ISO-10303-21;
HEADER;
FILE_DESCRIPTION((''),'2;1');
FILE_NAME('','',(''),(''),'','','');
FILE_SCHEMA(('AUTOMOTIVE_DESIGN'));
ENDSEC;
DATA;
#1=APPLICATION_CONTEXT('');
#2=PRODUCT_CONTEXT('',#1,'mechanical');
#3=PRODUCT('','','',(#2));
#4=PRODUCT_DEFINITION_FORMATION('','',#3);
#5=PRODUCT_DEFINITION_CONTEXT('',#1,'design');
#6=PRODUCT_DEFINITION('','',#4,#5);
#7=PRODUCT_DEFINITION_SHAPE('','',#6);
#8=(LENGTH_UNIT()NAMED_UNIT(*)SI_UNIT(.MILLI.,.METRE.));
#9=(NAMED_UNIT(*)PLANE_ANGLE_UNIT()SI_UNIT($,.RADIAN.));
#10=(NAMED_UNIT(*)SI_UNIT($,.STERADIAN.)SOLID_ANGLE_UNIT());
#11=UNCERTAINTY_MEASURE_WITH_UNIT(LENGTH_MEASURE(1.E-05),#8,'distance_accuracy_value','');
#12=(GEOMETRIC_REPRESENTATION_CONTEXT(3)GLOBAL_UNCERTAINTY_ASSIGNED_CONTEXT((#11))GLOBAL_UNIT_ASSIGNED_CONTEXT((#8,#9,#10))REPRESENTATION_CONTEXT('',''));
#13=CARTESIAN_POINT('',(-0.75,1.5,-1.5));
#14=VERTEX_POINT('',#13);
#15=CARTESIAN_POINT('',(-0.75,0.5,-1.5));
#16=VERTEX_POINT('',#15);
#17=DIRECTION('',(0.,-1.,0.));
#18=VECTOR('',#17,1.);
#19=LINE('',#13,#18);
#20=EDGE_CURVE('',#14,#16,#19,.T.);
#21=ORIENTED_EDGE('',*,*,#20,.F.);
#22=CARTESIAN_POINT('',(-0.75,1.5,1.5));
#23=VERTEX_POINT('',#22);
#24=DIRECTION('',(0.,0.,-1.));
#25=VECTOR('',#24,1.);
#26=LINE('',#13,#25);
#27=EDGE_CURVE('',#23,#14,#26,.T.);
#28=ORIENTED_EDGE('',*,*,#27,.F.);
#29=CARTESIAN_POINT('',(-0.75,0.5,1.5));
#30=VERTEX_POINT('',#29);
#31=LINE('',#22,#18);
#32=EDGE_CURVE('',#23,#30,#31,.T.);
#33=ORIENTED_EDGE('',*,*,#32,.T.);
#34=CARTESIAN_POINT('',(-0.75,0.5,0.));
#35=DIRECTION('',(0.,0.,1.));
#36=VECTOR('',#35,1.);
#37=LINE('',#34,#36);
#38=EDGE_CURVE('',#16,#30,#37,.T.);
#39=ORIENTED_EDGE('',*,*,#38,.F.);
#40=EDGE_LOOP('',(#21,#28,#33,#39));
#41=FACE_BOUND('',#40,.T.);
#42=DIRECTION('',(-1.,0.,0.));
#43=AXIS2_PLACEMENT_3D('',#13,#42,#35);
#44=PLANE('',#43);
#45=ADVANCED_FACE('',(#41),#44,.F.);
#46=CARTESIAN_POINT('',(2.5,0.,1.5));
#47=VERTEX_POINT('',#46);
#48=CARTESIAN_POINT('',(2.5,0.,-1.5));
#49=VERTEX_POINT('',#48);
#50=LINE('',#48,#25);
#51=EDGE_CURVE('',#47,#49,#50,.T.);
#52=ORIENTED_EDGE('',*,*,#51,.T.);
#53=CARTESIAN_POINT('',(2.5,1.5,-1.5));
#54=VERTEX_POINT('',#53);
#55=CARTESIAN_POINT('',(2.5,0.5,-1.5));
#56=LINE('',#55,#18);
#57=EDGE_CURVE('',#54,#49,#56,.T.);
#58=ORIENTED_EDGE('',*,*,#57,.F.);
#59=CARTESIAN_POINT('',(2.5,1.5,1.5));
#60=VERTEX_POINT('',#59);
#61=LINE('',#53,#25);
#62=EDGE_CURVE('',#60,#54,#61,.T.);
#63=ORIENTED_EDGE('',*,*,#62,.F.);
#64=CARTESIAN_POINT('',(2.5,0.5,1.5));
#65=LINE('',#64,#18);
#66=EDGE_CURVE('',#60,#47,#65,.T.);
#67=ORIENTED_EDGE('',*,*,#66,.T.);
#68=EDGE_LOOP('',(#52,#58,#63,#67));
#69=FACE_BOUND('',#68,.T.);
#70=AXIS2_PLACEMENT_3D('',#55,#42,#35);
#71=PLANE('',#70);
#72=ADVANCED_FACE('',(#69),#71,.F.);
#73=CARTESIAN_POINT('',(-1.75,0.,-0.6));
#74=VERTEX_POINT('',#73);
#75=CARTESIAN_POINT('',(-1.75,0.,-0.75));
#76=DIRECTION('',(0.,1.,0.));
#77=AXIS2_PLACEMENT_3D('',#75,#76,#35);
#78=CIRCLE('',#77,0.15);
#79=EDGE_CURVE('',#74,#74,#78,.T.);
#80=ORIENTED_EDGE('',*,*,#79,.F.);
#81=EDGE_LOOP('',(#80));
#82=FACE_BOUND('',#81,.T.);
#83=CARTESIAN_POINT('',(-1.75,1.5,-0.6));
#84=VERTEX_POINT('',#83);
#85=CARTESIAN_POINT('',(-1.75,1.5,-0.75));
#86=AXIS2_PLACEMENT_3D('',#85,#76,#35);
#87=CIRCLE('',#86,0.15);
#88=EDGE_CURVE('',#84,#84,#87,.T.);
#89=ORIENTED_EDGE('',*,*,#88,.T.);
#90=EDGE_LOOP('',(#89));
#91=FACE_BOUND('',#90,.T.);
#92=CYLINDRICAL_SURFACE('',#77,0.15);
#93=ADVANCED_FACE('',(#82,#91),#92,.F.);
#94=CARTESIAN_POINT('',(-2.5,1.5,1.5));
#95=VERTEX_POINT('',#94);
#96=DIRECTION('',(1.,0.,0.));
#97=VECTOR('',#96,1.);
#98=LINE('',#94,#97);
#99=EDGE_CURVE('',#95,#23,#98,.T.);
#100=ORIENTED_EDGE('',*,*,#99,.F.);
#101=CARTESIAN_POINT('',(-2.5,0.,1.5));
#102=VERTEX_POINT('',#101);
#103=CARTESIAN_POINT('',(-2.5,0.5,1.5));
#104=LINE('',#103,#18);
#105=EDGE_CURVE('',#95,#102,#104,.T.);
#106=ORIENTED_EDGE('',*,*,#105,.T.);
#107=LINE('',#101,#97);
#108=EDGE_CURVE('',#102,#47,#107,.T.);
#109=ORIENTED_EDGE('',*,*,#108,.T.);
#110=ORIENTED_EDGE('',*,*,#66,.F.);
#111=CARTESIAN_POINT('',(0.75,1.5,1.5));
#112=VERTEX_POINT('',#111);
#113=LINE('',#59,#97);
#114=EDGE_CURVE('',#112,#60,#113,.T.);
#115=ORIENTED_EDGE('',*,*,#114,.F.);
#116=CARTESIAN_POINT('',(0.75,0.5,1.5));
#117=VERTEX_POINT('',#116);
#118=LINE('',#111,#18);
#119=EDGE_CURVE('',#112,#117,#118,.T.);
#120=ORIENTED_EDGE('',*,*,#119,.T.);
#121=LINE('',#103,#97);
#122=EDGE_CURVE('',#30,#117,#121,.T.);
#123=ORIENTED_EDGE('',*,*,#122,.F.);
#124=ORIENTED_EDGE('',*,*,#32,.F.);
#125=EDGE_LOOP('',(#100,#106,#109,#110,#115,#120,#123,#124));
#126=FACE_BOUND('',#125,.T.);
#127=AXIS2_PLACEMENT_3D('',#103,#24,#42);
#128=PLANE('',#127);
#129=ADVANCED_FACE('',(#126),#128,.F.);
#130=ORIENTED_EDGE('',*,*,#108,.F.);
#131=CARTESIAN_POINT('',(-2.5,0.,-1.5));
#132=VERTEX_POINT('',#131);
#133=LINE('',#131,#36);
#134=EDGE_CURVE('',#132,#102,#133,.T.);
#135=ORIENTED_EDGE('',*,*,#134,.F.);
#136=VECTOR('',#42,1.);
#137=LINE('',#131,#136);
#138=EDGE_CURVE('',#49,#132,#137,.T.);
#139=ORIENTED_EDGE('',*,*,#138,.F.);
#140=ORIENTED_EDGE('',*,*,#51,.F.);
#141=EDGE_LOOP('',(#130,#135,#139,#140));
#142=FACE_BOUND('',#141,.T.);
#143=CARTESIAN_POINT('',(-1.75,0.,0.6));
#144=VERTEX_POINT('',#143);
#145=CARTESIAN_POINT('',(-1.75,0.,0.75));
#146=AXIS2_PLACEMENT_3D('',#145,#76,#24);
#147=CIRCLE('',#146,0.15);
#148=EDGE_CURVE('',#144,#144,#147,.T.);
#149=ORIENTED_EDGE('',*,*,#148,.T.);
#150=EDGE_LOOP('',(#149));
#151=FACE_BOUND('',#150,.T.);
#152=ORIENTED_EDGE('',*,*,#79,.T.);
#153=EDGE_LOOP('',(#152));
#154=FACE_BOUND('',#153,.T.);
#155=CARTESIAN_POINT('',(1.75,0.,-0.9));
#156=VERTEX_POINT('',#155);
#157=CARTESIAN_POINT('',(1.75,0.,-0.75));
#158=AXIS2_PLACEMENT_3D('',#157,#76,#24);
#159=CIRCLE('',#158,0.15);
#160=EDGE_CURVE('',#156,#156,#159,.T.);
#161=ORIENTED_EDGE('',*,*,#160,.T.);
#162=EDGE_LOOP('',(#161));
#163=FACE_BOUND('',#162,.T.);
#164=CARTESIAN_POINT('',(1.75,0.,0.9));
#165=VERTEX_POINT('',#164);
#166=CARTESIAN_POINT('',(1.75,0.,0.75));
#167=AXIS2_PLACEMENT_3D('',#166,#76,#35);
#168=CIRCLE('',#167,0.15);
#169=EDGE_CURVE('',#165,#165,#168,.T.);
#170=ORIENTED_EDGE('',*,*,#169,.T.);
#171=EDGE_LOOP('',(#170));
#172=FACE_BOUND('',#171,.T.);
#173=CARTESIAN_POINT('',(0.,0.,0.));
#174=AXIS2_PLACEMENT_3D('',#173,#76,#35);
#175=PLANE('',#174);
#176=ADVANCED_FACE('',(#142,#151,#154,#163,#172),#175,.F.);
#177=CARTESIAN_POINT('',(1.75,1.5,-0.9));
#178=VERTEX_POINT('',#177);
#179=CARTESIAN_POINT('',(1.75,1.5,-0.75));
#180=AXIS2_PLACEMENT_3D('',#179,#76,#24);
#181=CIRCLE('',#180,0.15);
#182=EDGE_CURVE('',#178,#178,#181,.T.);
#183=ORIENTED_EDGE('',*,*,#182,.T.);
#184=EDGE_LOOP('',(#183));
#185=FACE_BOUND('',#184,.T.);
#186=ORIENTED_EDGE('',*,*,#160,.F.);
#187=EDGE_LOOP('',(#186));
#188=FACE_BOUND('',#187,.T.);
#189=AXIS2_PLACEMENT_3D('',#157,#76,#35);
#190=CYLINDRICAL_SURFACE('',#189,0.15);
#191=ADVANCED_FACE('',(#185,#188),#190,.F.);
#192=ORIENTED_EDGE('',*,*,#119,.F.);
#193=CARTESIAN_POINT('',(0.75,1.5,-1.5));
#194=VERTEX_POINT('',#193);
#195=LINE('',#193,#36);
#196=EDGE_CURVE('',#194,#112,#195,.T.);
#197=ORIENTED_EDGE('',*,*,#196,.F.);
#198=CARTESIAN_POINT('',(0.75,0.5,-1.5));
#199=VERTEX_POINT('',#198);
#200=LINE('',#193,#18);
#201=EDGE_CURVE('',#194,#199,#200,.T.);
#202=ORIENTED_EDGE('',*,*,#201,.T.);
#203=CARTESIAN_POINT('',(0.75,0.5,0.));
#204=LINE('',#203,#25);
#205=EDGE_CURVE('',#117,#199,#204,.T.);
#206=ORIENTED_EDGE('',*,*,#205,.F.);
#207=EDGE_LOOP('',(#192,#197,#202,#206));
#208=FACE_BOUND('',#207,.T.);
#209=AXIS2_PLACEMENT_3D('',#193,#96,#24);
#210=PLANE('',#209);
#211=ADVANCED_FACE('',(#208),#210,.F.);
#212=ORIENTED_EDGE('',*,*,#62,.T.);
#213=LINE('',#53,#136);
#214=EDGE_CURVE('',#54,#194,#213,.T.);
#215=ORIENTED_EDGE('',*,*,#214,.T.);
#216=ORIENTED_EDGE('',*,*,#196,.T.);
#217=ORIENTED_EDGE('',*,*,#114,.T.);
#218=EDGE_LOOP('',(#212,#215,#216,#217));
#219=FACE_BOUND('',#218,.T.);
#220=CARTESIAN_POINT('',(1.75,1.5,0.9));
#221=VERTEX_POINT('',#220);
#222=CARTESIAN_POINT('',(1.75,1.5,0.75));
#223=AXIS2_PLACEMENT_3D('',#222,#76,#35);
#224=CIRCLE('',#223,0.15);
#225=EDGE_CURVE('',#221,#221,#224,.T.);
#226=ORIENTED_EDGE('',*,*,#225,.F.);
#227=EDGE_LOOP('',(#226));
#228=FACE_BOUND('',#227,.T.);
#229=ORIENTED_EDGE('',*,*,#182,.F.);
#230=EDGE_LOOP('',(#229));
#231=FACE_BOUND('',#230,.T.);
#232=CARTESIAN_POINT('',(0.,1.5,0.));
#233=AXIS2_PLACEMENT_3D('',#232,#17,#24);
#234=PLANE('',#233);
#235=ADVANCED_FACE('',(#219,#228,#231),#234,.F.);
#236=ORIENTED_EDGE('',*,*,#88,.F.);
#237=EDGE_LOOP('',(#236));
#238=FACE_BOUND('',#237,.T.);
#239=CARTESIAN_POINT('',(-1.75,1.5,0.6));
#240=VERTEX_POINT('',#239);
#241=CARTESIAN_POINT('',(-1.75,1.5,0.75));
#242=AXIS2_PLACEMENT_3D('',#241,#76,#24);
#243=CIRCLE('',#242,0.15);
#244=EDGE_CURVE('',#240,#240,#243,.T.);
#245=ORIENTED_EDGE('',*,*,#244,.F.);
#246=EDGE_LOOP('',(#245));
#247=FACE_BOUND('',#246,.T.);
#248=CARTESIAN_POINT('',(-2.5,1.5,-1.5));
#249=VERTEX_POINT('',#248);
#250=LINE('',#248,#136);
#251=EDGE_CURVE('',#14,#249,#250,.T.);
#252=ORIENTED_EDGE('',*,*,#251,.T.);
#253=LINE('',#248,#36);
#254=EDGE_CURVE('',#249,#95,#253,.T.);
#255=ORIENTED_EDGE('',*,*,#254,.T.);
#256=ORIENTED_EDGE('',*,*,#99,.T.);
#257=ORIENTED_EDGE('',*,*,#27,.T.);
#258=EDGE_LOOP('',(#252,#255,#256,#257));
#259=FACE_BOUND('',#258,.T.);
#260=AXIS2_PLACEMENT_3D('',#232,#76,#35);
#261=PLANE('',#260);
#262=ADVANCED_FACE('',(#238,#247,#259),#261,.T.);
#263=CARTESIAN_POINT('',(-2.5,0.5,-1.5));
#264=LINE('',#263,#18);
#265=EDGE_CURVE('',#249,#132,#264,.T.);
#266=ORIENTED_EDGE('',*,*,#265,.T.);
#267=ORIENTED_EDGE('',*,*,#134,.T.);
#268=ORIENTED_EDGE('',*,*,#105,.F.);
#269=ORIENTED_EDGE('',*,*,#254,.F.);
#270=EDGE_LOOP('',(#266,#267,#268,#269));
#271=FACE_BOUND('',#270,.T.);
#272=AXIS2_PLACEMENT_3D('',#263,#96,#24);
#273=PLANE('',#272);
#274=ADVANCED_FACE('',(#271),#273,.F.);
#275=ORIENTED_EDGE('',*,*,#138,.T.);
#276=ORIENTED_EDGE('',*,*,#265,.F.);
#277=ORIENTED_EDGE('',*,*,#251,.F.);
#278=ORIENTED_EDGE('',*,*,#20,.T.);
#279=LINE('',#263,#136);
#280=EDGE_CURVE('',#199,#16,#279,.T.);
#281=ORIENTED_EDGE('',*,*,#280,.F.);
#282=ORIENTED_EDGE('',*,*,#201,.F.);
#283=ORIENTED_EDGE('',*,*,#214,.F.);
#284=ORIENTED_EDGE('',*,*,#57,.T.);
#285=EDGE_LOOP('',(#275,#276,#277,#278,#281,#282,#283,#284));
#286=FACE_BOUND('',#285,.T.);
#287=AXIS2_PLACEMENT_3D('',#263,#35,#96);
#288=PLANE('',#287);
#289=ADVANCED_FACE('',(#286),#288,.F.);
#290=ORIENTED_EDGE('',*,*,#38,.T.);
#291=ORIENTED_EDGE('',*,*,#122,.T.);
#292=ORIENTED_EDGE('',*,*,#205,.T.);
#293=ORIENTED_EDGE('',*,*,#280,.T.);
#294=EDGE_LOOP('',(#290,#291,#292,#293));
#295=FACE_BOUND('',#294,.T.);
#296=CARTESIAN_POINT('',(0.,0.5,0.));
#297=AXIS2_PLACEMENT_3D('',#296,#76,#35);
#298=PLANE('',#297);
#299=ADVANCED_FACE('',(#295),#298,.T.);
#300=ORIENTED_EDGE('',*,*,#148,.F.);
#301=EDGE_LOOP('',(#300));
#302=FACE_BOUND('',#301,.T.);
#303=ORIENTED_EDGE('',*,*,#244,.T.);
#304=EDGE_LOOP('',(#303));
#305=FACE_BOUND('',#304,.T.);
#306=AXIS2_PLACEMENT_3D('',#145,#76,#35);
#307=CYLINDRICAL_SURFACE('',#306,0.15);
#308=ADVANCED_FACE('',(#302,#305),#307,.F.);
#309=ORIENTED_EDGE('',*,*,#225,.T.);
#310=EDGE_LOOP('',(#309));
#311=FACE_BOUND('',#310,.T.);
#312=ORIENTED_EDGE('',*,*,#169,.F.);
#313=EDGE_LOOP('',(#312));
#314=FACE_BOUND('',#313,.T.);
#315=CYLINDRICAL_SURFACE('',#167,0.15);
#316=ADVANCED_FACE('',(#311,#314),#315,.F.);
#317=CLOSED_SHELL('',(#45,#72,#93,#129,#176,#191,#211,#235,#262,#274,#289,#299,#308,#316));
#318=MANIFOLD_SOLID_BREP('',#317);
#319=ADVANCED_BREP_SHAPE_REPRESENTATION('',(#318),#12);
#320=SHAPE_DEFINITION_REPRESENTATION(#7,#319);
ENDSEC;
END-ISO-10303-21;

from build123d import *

# Parameters (mm, degrees)
SKETCH2_W               = 5
SKETCH2_H               = 3
BOSS_EXTRUDE1_DEPTH     = 0.5
SKETCH3_W               = 1.75
SKETCH3_H               = 3
BOSS_EXTRUDE2_DEPTH     = 1.5
CUT_EXTRUDE1_DEPTH      = 0.5
CUT_EXTRUDE1_DEPTH_BACK = 4.278719262
CUT_EXTRUDE1_START      = 1
SKETCH4_R               = 0.15


with BuildPart() as part:
    # Sketch2 → Boss-Extrude1 (new body)
    with BuildSketch(Plane(origin=(0, 0, 0), x_dir=(1, 0, 0), z_dir=(0, 1, 0))):
        Rectangle(SKETCH2_W, SKETCH2_H)
    extrude(amount=BOSS_EXTRUDE1_DEPTH)

    # Sketch3 → Boss-Extrude2 (add)
    with BuildSketch(Plane(origin=(0, 0, 0), x_dir=(1, 0, 0), z_dir=(0, 1, 0))):
        with Locations((-1.625, 0)):
            Rectangle(SKETCH3_W, SKETCH3_H)
        with Locations((1.625, 0)):
            Rectangle(SKETCH3_W, SKETCH3_H)
    extrude(amount=BOSS_EXTRUDE2_DEPTH)

    # Sketch4 → Cut-Extrude1 (cut, two sides: drawn at the far end of the back side and taken through both)
    with BuildSketch(Plane(origin=(0, 0, 0), x_dir=(1, 0, 0), z_dir=(0, 1, 0)).offset(CUT_EXTRUDE1_START - CUT_EXTRUDE1_DEPTH_BACK)):
        with Locations(Location((-1.75, 0.75, 0), (0, 0, 270))):
            Circle(SKETCH4_R)
        with Locations(Location((1.75, 0.75, 0), (0, 0, 90))):
            Circle(SKETCH4_R)
        with Locations(Location((1.75, -0.75, 0), (0, 0, 270))):
            Circle(SKETCH4_R)
        with Locations(Location((-1.75, -0.75, 0), (0, 0, 90))):
            Circle(SKETCH4_R)
    extrude(amount=CUT_EXTRUDE1_DEPTH + CUT_EXTRUDE1_DEPTH_BACK, mode=Mode.SUBTRACT)


solid = part.part
